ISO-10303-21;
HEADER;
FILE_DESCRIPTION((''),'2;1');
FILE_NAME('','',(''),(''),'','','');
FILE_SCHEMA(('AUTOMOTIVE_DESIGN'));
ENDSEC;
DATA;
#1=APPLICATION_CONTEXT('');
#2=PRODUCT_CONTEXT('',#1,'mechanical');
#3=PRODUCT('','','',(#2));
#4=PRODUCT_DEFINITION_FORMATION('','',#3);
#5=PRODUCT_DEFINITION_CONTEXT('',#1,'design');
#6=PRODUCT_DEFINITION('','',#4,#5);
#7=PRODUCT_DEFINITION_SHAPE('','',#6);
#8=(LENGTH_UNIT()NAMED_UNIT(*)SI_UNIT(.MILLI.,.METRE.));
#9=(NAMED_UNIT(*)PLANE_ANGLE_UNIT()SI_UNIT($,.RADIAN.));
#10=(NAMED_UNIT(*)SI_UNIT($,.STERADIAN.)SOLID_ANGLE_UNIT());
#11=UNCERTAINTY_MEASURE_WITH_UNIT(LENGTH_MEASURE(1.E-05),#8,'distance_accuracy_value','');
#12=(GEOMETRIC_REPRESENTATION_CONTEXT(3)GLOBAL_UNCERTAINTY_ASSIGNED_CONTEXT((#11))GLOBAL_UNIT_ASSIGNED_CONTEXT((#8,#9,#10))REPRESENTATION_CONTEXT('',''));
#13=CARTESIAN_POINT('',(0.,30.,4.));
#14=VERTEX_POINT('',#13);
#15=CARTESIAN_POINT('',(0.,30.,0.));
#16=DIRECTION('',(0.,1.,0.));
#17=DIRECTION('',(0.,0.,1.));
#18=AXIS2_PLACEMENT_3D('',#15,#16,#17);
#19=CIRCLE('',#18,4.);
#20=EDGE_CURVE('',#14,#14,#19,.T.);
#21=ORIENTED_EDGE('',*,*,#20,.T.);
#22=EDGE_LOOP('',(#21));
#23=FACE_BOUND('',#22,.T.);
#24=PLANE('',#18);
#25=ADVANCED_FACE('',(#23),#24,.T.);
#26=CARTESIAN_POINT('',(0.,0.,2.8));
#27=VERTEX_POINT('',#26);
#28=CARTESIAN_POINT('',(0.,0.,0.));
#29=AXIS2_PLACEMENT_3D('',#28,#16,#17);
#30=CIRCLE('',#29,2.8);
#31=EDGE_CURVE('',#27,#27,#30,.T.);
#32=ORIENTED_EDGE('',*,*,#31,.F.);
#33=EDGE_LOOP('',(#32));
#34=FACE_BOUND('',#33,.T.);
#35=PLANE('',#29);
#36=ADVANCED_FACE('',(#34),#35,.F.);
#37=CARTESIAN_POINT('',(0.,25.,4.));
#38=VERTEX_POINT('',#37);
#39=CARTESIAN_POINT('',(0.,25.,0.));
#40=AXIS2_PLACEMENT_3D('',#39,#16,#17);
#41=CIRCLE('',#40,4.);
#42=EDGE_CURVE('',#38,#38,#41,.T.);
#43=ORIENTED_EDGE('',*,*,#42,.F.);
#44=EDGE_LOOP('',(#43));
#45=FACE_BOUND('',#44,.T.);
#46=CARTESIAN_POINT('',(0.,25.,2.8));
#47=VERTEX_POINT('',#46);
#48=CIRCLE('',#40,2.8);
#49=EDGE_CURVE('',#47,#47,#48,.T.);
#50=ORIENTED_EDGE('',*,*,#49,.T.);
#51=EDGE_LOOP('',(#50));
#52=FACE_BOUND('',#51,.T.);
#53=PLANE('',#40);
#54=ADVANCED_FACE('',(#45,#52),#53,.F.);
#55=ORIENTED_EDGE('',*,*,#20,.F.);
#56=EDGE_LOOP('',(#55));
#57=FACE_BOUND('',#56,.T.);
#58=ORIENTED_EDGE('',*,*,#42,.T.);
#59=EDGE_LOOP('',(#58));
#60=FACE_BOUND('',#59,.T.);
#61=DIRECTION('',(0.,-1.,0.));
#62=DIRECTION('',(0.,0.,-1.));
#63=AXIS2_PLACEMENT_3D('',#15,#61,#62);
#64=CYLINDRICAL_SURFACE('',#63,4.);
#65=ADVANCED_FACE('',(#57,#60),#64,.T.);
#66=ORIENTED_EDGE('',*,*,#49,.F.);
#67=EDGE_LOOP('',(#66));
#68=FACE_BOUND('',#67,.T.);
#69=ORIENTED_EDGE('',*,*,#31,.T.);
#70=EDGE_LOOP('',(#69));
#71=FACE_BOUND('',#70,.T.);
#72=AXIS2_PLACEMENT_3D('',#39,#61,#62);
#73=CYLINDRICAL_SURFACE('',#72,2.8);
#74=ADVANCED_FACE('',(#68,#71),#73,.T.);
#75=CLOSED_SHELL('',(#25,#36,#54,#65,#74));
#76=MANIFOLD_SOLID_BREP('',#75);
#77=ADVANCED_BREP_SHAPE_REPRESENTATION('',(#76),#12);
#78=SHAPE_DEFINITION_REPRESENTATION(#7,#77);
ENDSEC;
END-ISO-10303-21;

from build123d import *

# Parameters (mm, degrees)
SKETCH_1_R      = 2.8
EXTRUDE_1_DEPTH = 25
SKETCH_2_R      = 4
EXTRUDE_2_DEPTH = 5


with BuildPart() as part:
    # 草图1 → 凸台-拉伸1 (new body)
    with BuildSketch(Plane(origin=(0, 0, 0), x_dir=(1, 0, 0), z_dir=(0, 1, 0))):
        with Locations(Location((0, 0, 0), (0, 0, 270))):
            Circle(SKETCH_1_R)
    extrude(amount=EXTRUDE_1_DEPTH)

    # 草图2 → 凸台-拉伸2 (add)
    with BuildSketch(Plane(origin=(0, 25, 0), x_dir=(1, 0, 0), z_dir=(0, 1, 0))):
        with Locations(Location((0, 0, 0), (0, 0, 270))):
            Circle(SKETCH_2_R)
    extrude(amount=EXTRUDE_2_DEPTH)


solid = part.part
